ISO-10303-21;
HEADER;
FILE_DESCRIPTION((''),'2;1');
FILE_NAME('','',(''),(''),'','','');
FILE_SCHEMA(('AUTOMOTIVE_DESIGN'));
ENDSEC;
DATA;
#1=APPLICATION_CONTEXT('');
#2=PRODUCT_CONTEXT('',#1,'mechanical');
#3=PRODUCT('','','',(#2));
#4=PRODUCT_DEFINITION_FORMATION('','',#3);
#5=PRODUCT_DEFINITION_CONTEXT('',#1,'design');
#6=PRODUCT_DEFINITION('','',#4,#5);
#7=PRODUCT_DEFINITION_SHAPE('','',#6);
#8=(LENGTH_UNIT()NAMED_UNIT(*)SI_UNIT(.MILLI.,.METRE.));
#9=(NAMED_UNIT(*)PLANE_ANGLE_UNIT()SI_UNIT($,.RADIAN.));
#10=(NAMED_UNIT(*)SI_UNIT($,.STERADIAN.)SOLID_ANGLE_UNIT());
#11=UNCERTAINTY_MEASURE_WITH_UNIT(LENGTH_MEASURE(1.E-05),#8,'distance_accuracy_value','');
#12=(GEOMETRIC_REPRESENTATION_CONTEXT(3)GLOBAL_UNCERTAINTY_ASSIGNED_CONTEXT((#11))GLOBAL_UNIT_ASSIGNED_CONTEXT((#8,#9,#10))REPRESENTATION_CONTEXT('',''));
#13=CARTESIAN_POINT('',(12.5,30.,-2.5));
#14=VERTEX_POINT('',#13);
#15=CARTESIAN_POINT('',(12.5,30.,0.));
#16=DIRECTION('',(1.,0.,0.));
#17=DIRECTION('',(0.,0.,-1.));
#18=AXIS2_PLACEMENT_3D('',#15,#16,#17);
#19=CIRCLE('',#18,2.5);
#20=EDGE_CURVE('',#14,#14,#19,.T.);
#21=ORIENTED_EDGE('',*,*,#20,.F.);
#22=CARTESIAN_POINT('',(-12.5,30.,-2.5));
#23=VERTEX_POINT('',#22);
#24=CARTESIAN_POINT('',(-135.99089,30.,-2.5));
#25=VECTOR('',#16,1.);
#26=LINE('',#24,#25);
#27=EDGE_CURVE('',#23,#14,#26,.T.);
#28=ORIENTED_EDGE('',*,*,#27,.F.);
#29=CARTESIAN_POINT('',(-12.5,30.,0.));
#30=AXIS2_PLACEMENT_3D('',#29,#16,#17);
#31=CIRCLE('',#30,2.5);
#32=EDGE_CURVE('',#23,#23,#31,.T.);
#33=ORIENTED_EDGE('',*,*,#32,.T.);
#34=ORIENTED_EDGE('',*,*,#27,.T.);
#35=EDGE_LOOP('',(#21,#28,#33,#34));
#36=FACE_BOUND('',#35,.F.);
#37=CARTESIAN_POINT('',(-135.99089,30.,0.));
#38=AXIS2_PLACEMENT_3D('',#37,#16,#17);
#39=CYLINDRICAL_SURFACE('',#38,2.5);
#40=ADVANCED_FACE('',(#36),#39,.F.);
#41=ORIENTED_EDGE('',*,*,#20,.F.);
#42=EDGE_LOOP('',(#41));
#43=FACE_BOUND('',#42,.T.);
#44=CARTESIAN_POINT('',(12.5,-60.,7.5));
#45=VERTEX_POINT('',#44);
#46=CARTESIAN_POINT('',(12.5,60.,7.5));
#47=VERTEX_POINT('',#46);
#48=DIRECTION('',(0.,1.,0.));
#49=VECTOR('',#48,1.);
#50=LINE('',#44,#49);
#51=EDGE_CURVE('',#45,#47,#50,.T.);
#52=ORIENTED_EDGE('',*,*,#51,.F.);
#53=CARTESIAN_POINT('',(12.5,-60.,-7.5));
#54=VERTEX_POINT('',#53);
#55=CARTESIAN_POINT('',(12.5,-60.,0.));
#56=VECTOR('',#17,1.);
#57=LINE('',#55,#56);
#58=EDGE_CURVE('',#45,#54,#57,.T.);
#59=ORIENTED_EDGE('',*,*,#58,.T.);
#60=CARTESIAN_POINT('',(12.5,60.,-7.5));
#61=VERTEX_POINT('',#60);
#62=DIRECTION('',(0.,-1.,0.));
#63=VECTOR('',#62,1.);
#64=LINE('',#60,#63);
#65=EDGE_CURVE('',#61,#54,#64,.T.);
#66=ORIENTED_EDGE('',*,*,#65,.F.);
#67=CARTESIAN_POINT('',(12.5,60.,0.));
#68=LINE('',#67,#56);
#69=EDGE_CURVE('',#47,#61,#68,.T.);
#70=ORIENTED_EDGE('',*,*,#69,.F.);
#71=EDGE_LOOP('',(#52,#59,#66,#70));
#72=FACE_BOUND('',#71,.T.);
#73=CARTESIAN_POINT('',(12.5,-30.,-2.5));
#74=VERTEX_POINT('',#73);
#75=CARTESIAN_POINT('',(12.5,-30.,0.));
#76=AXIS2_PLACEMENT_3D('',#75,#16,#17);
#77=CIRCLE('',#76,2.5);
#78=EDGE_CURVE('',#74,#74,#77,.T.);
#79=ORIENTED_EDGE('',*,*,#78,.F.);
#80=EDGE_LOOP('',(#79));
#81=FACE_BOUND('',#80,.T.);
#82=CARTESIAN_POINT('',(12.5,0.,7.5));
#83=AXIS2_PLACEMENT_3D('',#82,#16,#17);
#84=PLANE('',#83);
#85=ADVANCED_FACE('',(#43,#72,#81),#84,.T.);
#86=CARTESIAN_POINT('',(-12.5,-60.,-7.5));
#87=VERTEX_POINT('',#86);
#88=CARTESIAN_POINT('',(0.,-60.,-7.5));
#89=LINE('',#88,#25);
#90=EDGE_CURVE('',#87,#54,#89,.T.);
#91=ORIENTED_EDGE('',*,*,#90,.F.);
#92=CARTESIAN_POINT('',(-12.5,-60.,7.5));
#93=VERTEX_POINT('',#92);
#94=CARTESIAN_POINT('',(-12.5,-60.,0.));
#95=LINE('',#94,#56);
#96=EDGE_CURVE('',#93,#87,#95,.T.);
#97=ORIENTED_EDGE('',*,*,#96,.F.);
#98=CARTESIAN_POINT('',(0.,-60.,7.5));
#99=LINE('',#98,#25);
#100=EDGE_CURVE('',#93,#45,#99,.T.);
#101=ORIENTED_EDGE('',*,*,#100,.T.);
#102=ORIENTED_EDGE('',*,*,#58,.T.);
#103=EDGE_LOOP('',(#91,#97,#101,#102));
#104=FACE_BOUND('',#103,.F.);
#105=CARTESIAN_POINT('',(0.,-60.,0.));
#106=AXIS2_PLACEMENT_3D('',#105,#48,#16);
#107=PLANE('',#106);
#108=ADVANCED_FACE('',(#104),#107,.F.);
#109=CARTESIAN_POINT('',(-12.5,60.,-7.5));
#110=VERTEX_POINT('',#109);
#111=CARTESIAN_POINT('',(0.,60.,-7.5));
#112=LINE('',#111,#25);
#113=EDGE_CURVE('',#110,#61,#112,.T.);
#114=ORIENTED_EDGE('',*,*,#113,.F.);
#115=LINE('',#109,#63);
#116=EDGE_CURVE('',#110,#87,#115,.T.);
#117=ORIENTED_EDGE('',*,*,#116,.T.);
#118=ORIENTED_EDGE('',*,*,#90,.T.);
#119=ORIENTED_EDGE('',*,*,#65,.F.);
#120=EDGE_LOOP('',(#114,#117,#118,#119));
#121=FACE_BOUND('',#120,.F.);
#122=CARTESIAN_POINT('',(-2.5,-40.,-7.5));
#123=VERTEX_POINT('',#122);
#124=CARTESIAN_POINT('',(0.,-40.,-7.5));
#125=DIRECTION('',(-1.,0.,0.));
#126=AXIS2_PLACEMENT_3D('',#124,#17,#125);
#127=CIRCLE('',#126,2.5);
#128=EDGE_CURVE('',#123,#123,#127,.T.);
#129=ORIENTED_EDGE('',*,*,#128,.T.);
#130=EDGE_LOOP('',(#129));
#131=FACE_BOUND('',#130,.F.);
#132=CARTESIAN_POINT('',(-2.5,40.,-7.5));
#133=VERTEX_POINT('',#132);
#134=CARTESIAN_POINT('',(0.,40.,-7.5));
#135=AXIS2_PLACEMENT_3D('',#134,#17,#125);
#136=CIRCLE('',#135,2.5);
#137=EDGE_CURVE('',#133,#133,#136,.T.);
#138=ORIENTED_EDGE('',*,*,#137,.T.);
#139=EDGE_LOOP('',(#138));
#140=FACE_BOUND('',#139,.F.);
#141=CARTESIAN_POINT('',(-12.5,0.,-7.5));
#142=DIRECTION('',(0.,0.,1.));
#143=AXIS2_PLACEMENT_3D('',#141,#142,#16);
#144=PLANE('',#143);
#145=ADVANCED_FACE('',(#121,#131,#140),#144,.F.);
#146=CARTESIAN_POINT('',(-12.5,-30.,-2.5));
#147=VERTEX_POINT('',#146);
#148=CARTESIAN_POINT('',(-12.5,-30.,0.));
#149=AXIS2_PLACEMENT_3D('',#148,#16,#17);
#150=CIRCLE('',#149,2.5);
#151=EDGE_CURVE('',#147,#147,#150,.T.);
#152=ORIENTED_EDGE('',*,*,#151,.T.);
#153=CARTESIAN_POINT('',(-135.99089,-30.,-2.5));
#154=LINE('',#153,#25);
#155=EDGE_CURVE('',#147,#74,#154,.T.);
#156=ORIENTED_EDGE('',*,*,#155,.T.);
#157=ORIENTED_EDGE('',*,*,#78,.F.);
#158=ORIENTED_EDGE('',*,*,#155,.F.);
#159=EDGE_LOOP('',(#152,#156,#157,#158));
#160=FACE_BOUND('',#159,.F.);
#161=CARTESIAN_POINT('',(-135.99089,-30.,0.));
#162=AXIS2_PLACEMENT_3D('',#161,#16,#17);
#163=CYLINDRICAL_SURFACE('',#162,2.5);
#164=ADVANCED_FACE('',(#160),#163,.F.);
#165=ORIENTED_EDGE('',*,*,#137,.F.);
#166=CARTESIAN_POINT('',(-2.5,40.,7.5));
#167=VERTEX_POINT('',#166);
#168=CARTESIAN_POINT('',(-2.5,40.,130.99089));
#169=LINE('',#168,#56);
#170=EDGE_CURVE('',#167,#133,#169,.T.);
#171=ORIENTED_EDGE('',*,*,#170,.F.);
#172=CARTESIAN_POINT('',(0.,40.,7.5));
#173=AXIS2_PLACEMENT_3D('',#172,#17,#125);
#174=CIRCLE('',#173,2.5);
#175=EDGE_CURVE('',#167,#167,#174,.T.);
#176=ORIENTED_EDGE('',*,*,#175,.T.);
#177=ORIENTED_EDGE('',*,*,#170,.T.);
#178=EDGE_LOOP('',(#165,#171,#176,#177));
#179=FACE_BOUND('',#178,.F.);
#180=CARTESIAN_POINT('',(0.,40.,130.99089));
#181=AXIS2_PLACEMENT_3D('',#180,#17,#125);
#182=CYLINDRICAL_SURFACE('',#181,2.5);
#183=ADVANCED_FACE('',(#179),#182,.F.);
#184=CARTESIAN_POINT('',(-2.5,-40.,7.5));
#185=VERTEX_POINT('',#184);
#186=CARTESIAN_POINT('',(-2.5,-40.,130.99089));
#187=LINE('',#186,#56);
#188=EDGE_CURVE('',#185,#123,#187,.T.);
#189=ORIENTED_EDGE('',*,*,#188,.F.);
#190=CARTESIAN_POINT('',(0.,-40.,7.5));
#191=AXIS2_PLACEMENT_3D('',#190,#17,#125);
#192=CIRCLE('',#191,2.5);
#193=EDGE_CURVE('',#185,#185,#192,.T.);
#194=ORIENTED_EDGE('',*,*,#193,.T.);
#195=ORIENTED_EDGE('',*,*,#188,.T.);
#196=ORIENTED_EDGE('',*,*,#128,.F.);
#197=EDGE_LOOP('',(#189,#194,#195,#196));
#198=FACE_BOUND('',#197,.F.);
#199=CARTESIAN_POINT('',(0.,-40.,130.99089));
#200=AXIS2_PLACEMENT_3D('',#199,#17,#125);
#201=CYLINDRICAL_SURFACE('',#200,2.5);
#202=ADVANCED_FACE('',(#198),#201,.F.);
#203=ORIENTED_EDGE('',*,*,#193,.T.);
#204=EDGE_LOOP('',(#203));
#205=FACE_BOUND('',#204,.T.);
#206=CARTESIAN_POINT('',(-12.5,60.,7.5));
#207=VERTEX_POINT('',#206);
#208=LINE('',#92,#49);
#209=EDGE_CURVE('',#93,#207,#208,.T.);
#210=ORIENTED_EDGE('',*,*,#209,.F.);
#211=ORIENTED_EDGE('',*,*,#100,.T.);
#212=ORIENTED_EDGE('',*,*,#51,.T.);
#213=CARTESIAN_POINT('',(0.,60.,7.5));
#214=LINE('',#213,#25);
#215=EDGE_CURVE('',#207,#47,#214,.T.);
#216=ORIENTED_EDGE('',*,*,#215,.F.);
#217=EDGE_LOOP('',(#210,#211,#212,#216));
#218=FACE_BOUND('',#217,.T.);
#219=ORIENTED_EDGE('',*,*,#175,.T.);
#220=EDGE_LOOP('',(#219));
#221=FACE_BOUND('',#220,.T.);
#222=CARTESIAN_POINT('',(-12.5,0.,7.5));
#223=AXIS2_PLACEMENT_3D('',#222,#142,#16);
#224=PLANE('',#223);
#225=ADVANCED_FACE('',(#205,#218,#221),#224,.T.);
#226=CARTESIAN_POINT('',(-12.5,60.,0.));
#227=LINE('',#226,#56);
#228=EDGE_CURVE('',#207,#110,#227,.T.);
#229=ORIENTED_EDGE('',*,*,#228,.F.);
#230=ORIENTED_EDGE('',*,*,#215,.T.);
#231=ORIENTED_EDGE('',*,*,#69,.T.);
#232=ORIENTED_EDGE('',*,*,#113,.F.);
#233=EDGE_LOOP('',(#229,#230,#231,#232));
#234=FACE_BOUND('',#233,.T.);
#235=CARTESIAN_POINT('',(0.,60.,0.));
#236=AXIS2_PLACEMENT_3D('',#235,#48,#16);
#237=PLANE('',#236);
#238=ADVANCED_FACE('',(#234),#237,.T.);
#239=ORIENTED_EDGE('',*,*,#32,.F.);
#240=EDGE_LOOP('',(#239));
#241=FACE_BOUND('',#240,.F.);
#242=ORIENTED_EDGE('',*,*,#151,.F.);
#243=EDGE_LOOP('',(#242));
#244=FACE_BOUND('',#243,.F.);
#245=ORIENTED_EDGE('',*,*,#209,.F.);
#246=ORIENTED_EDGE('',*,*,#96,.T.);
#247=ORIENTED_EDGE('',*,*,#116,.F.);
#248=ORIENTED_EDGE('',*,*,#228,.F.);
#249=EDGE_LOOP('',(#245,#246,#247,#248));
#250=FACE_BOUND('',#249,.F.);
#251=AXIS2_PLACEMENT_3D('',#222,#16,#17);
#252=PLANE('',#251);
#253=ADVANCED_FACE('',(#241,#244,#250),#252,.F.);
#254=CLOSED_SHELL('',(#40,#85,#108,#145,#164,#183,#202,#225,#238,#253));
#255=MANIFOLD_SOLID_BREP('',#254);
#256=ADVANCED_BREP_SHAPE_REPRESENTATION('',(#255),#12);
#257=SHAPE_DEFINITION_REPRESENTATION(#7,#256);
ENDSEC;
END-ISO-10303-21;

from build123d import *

# Parameters (mm, degrees)
SKETCH1_W           = 25
SKETCH1_H           = 15
BOSS_EXTRUDE1_DEPTH = 60
M6_TAPPED_HOLE1_D   = 5
M6_TAPPED_HOLE2_D   = 5


with BuildPart() as part:
    # Sketch1 → Boss-Extrude1 (new body, symmetric)
    with BuildSketch(Plane(origin=(0, 0, 0), x_dir=(1, 0, 0), z_dir=(0, 1, 0))):
        Rectangle(SKETCH1_W, SKETCH1_H)
    extrude(amount=BOSS_EXTRUDE1_DEPTH, both=True)

    # M6 Tapped Hole1 (through all)
    with Locations(Plane.ZY.offset(12.5)):
        with Locations((0, 30), (0, -30)):
            Hole(M6_TAPPED_HOLE1_D / 2)

    # M6 Tapped Hole2 (through all)
    with Locations(Plane.XY.offset(7.5)):
        with Locations((0, 40), (0, -40)):
            Hole(M6_TAPPED_HOLE2_D / 2)


solid = part.part
